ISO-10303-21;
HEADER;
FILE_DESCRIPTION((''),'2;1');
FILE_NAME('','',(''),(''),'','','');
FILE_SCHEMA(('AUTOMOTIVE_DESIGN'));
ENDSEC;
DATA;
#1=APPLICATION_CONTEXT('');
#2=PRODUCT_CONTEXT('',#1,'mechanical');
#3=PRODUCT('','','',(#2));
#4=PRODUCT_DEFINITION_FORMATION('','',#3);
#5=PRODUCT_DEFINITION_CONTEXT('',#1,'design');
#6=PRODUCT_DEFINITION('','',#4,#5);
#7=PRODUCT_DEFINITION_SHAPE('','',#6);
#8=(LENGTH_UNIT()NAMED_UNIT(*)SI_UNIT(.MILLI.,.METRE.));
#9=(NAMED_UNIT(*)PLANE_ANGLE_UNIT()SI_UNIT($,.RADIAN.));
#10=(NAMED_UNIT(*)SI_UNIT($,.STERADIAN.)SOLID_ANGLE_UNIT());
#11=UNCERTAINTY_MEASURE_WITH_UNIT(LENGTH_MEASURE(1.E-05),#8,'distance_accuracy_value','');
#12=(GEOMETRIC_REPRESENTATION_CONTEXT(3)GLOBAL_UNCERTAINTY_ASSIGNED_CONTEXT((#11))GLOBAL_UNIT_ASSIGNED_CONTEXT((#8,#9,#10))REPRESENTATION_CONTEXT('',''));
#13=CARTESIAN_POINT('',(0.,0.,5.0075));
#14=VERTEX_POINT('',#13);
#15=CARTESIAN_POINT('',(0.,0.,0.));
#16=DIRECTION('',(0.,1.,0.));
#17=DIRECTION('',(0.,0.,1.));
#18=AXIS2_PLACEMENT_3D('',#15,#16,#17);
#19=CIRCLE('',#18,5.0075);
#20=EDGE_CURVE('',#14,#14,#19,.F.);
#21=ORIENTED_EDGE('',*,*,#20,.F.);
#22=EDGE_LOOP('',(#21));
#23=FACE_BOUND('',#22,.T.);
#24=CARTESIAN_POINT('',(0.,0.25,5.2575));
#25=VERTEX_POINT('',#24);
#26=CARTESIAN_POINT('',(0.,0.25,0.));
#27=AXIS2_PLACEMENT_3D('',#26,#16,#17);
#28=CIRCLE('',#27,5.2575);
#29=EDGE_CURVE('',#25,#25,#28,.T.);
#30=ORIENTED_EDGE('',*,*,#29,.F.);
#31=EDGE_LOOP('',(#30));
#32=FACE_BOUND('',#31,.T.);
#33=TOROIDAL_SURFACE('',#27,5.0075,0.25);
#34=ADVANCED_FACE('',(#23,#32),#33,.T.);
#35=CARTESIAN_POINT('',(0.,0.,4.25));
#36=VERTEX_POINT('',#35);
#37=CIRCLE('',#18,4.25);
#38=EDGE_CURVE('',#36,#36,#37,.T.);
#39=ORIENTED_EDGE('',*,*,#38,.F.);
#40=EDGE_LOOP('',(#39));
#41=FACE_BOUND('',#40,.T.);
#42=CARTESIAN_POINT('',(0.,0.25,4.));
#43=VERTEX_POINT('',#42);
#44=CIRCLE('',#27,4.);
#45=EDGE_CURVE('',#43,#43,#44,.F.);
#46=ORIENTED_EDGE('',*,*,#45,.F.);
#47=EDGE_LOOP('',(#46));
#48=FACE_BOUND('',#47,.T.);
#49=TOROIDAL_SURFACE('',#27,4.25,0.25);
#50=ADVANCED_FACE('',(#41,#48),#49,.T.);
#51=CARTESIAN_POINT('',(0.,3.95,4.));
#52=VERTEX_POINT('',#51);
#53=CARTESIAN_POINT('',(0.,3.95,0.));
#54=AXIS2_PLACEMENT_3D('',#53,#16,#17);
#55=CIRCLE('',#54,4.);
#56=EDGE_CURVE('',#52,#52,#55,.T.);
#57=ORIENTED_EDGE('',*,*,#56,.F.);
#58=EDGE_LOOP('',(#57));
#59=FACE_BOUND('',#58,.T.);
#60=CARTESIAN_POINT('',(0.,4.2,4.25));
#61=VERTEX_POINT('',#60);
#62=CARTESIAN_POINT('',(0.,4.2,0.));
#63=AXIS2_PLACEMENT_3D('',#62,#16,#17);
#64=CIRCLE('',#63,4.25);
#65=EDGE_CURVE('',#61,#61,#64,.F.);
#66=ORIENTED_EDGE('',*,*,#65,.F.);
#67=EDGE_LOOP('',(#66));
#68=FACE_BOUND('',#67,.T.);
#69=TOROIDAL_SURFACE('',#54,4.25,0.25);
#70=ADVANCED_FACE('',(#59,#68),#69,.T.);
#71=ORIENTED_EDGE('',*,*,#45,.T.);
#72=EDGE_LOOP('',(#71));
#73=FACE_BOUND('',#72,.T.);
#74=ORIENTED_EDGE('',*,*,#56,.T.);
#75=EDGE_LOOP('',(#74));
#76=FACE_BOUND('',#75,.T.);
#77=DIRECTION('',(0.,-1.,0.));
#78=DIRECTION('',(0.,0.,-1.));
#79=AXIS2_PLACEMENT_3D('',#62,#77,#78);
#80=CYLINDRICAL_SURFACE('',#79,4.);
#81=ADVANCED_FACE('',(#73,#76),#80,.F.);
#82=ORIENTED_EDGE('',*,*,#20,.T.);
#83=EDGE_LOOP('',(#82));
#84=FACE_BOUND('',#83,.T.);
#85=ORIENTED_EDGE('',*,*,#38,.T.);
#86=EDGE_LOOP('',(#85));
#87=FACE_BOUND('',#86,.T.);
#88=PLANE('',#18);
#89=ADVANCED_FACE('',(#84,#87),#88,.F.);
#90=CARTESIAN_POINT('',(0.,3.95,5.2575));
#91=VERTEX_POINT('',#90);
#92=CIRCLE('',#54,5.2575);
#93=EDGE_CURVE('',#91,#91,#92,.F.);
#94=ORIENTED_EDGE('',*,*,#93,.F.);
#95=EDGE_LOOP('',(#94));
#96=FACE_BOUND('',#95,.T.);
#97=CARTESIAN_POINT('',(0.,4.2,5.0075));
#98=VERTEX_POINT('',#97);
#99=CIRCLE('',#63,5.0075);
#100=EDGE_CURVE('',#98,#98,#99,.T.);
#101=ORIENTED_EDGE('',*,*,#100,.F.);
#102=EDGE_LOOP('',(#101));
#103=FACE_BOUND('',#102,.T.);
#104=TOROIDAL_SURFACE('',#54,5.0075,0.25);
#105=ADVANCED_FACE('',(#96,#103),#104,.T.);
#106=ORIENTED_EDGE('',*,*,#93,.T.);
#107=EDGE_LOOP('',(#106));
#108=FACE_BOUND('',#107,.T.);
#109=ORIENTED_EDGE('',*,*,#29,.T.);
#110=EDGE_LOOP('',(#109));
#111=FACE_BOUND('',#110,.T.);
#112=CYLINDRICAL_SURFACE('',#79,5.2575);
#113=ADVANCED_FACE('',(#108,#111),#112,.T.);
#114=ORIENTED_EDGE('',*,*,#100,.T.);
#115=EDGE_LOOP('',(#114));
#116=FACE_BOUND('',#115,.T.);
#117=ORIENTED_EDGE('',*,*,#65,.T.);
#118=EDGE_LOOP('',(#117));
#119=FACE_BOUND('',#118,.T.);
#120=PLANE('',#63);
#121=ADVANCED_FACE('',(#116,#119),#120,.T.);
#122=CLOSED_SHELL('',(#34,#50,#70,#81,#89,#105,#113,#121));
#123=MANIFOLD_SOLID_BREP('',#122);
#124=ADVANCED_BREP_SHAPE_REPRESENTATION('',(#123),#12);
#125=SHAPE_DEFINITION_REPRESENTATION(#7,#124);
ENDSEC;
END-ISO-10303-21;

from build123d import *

# Parameters (mm, degrees)
SKETCH1_R           = 5.2575
SKETCH1_R_2         = 4
BOSS_EXTRUDE1_DEPTH = 4.2
FILLET1_R           = 0.25


with BuildPart() as part:
    # Sketch1 → Boss-Extrude1 (new body)
    with BuildSketch(Plane(origin=(0, 0, 0), x_dir=(1, 0, 0), z_dir=(0, 1, 0))):
        with Locations(Location((0, 0, 0), (0, 0, 270))):
            Circle(SKETCH1_R)
        with Locations(Location((0, 0, 0), (0, 0, 270))):
            Circle(SKETCH1_R_2, mode=Mode.SUBTRACT)
    extrude(amount=BOSS_EXTRUDE1_DEPTH)

    # Fillet1
    fillet1_edges = [part.edges().sort_by_distance(p)[0] for p in [
        (0, 0, -5.2575),
        (0, 4.2, -5.2575),
        (0, 0, -4),
        (0, 4.2, -4),
    ]]
    fillet(fillet1_edges, radius=FILLET1_R)


solid = part.part
